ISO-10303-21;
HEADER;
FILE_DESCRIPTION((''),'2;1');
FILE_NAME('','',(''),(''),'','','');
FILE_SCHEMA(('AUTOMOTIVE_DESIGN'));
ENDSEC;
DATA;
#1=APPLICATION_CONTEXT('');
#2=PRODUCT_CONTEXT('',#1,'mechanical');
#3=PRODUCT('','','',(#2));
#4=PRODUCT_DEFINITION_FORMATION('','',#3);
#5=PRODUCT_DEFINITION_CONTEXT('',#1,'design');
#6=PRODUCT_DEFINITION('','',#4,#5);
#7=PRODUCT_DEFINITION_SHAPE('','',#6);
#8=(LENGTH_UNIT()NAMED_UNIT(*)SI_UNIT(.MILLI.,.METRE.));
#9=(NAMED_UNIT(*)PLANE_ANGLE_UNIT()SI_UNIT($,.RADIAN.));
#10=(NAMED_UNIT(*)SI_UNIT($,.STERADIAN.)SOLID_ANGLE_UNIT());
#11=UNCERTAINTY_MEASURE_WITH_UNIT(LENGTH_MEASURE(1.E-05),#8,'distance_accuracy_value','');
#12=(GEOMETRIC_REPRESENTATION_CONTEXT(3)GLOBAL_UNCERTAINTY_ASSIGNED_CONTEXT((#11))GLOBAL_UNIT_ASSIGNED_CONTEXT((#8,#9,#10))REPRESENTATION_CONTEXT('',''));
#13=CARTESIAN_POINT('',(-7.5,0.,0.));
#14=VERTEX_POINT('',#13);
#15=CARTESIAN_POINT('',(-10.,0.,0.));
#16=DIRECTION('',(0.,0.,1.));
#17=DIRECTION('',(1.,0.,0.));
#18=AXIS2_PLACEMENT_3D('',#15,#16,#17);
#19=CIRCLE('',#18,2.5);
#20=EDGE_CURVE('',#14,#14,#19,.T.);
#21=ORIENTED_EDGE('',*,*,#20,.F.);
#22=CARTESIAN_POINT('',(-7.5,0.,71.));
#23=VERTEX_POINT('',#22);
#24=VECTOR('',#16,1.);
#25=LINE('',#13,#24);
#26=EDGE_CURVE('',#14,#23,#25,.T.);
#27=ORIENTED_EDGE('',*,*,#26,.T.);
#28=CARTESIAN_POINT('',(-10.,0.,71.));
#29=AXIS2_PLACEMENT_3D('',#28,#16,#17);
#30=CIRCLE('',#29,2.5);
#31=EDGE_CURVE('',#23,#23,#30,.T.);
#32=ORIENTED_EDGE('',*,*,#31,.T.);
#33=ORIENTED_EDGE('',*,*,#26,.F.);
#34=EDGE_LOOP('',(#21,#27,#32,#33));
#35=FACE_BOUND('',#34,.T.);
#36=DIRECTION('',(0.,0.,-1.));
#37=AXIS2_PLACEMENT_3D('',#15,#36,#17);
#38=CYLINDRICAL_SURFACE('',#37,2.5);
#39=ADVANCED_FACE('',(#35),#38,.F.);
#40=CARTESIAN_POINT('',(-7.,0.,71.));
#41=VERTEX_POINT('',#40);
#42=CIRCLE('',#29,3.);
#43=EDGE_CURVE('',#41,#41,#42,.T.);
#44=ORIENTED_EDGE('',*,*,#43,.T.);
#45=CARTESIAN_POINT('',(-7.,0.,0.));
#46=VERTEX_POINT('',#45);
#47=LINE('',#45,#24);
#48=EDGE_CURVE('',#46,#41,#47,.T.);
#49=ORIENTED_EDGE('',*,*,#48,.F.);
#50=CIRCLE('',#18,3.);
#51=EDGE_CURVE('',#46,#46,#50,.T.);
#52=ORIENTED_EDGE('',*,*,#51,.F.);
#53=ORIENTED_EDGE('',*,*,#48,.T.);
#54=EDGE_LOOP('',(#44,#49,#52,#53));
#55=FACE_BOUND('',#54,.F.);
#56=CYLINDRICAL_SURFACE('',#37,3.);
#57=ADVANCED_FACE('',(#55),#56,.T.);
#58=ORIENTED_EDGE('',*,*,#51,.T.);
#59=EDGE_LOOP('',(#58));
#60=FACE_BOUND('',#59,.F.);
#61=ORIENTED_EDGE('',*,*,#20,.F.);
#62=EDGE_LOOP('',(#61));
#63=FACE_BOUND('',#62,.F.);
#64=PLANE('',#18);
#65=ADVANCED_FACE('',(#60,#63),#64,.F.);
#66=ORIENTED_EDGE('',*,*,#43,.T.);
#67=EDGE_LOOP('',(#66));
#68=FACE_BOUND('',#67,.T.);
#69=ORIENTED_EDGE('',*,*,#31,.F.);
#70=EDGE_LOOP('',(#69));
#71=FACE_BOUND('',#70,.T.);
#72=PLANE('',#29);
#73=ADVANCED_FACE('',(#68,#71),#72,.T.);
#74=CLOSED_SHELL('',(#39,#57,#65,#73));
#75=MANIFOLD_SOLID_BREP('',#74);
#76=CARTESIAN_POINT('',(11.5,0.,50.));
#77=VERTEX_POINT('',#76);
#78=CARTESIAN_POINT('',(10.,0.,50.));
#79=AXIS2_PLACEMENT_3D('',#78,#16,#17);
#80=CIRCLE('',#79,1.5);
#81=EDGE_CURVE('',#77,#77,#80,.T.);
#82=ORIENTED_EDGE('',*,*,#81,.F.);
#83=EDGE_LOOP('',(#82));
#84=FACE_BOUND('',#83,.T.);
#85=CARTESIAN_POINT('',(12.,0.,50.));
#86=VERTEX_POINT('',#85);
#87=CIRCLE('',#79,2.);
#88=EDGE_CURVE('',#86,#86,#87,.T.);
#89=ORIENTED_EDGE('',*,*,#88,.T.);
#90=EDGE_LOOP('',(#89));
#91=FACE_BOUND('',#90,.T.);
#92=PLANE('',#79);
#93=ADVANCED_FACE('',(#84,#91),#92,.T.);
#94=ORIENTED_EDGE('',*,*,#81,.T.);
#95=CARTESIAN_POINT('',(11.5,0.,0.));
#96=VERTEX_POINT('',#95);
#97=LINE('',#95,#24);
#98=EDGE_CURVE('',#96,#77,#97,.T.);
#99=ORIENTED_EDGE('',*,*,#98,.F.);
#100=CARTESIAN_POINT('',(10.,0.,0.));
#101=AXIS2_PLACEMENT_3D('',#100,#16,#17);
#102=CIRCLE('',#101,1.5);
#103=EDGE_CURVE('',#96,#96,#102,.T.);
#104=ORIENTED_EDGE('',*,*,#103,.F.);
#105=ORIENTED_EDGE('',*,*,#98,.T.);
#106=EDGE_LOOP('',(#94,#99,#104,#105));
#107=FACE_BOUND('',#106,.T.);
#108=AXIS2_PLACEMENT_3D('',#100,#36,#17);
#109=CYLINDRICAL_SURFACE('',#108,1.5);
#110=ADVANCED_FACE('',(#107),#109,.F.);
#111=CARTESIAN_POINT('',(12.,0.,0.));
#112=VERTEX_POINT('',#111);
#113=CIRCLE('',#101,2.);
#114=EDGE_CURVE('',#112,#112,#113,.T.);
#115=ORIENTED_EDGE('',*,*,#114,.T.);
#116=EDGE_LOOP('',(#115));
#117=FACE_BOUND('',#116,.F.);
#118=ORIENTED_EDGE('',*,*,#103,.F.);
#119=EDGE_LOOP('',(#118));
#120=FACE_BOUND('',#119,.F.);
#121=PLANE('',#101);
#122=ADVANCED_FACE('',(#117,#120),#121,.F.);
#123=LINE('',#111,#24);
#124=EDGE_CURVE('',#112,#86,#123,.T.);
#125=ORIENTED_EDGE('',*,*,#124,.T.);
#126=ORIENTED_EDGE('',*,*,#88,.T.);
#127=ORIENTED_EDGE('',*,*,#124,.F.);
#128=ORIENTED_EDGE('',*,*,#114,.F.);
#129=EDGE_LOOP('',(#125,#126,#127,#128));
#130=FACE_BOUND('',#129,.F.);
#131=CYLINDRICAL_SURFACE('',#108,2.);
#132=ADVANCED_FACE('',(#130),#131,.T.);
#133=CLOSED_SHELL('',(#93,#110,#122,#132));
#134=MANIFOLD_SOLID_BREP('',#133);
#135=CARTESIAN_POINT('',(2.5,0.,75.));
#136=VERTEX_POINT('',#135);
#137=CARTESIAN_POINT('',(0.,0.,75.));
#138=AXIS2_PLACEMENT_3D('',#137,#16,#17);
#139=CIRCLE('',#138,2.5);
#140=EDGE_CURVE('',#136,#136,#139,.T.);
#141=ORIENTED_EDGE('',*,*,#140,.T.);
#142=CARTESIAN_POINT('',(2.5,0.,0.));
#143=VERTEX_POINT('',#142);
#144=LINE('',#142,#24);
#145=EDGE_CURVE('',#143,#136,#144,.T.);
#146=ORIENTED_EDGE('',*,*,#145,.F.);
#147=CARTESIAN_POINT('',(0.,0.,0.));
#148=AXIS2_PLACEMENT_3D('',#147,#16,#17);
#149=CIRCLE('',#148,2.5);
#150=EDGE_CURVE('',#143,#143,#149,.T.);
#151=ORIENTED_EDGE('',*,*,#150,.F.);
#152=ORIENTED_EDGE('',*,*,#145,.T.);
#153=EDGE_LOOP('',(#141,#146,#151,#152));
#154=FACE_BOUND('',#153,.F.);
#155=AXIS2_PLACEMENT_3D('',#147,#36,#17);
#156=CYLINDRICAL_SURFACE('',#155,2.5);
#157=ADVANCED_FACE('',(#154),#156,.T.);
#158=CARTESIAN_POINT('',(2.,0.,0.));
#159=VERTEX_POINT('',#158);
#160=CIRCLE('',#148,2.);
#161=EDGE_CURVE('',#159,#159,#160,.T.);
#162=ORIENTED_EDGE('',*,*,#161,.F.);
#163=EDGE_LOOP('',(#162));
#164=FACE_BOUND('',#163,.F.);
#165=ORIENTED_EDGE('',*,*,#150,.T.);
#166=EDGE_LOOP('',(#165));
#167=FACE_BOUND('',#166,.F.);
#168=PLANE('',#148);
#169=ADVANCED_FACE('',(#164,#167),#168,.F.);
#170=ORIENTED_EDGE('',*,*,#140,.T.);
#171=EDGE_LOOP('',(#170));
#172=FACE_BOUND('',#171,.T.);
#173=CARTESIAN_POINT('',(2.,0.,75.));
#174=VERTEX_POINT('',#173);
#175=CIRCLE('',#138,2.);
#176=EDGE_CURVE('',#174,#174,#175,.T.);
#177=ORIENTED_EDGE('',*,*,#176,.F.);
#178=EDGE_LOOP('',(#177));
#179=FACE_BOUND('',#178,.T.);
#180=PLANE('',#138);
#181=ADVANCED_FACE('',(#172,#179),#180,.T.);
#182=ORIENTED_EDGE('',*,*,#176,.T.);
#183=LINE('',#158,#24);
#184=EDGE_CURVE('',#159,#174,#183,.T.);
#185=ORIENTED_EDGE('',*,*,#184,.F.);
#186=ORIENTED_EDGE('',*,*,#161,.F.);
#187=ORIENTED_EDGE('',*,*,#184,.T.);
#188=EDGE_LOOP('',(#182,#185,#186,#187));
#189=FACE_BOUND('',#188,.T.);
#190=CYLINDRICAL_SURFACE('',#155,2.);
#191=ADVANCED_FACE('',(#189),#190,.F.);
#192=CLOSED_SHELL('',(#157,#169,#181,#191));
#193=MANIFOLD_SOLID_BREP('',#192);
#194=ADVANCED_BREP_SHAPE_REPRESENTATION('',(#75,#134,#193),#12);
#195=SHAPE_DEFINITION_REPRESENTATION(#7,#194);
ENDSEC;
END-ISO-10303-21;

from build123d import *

# Parameters (mm, degrees)
F0_R     = 3
F0_R_2   = 2.5
F1_DEPTH = 71
F3_R     = 2
F3_R_2   = 1.5
F4_DEPTH = 50
F2_R     = 2.5
F2_R_2   = 2
F5_DEPTH = 75


with BuildPart() as f1:
    # F0 (on Top) → F1 (new body)
    with BuildSketch(Plane.XY):
        with Locations((-10, 0)):
            Circle(F0_R)
        with Locations((-10, 0)):
            Circle(F0_R_2, mode=Mode.SUBTRACT)
    extrude(amount=F1_DEPTH)


with BuildPart() as f4:
    # F3 (on Top) → F4 (new body)
    with BuildSketch(Plane.XY):
        with Locations((10, 0)):
            Circle(F3_R)
        with Locations((10, 0)):
            Circle(F3_R_2, mode=Mode.SUBTRACT)
    extrude(amount=F4_DEPTH)


with BuildPart() as f5:
    # F2 (on Top) → F5 (new body)
    with BuildSketch(Plane.XY):
        Circle(F2_R)
        Circle(F2_R_2, mode=Mode.SUBTRACT)
    extrude(amount=F5_DEPTH)


solid = Compound([f1.part, f4.part, f5.part])
